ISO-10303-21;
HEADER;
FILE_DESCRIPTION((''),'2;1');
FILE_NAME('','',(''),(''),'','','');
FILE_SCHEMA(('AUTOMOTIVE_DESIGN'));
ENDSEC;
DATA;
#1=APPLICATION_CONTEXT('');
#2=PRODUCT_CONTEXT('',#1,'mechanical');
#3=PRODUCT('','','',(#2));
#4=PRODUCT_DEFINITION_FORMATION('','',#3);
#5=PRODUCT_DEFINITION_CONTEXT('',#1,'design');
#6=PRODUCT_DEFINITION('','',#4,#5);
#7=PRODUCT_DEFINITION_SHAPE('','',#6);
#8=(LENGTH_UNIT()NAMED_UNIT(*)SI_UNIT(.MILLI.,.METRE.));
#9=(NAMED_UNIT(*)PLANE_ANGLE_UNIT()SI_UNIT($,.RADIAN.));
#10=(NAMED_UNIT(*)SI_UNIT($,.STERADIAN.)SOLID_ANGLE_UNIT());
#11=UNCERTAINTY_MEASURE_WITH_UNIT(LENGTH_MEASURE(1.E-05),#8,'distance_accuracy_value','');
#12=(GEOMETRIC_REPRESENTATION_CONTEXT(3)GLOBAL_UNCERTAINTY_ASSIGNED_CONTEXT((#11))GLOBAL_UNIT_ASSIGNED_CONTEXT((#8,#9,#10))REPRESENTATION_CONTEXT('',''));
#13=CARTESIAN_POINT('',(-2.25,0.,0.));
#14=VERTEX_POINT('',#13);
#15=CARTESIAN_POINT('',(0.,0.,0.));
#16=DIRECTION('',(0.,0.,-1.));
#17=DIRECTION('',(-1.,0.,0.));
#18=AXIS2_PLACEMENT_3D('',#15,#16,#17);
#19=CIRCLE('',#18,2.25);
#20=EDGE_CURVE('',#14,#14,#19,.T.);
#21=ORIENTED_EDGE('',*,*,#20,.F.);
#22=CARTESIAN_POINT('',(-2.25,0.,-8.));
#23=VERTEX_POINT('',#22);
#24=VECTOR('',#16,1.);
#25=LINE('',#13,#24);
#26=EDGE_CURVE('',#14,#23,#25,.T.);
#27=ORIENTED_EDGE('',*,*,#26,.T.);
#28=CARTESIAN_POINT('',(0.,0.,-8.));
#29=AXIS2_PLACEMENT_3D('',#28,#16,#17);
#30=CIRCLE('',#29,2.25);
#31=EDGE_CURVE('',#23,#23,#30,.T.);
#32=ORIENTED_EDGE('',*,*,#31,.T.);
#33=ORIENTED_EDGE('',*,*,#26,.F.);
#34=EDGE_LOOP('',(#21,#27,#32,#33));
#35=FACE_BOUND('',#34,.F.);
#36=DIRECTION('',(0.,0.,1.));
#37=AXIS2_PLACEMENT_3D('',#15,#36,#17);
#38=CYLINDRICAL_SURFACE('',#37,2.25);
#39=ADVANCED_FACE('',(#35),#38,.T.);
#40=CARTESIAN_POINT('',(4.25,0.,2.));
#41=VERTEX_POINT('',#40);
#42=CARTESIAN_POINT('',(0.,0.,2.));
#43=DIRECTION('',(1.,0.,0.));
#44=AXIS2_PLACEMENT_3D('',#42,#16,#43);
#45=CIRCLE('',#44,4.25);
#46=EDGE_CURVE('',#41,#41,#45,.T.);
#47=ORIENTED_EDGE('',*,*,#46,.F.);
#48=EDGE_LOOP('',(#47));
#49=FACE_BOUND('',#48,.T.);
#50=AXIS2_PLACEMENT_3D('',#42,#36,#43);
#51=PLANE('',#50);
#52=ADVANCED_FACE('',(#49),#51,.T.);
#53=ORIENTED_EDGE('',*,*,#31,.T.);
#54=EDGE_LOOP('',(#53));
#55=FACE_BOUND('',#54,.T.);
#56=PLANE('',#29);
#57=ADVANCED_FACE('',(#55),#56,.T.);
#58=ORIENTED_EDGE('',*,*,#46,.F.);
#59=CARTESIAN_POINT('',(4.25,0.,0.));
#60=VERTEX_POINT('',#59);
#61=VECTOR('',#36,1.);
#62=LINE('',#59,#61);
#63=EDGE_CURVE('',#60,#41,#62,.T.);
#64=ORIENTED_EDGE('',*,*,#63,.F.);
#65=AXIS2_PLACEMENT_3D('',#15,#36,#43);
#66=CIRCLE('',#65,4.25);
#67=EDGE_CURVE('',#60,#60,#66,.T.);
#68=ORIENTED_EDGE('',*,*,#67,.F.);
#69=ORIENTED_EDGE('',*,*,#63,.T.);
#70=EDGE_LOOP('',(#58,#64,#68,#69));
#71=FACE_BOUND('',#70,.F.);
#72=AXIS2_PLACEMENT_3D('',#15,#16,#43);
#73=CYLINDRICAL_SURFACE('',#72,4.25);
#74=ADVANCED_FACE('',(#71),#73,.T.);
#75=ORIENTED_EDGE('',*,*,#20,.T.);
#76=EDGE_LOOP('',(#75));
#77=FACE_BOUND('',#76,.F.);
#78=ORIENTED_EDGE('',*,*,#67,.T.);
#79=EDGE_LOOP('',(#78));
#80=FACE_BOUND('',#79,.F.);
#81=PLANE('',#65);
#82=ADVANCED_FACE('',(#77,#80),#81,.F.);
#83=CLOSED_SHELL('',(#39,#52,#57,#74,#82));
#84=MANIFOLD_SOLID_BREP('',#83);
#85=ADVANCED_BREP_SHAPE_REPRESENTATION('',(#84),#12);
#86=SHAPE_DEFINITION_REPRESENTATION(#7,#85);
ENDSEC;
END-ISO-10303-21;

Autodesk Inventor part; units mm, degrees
ref_plane "YZ Plane" through (0, 0, 0) normal (1, 0, 0) x (0, 1, 0)
ref_plane "XZ Plane" through (0, 0, 0) normal (0, 1, 0) x (-1, 0, 0)
ref_plane "XY Plane" through (0, 0, 0) normal (0, 0, 1) x (1, 0, 0)
sketch "Sketch1" plane through (0, 0, 0) normal (0, 0, 1) x (1, 0, 0)
  circle A0 centre (0, 0) radius 4.25
  dimension "d0" = 8.5
extrude "Extrusion1" add sketch "Sketch1" along normal blind 2
sketch "Sketch2" plane through (0, 0, 0) normal (0, 0, -1) x (-1, 0, 0)
  circle A0 centre (0, 0) radius 2.25
  dimension "d3" = 4.5
extrude "Extrusion2" add sketch "Sketch2" along normal blind 8
sketch "Sketch3" plane through (0, 0, 2) normal (0, 0, 1) x (1, 0, 0)
  circle A0 centre (0, 0) radius 2.25 projected
  circle A1 centre (0, 0) radius 4.25 projected
  line L0 (-4.25, 0) -> (-2.125, 3.6806)
  line L1 (-2.125, 3.6806) -> (2.125, 3.6806)
  line L2 (2.125, 3.6806) -> (4.25, 0)
  line L3 (4.25, 0) -> (2.125, -3.6806)
  line L4 (2.125, -3.6806) -> (-2.125, -3.6806)
  line L5 (-2.125, -3.6806) -> (-4.25, 0)
extrude "Extrusion3" add sketch "Sketch3" against normal blind 2 contours L2 A1 | A1 L3 | L1 A1 | A1 L4 | L0 A1 | A1 L5
thread "Thread2" size "M3x0.5" class "6g" standard "ANSI Metric M Profile" length 8
properties part number "vida"
